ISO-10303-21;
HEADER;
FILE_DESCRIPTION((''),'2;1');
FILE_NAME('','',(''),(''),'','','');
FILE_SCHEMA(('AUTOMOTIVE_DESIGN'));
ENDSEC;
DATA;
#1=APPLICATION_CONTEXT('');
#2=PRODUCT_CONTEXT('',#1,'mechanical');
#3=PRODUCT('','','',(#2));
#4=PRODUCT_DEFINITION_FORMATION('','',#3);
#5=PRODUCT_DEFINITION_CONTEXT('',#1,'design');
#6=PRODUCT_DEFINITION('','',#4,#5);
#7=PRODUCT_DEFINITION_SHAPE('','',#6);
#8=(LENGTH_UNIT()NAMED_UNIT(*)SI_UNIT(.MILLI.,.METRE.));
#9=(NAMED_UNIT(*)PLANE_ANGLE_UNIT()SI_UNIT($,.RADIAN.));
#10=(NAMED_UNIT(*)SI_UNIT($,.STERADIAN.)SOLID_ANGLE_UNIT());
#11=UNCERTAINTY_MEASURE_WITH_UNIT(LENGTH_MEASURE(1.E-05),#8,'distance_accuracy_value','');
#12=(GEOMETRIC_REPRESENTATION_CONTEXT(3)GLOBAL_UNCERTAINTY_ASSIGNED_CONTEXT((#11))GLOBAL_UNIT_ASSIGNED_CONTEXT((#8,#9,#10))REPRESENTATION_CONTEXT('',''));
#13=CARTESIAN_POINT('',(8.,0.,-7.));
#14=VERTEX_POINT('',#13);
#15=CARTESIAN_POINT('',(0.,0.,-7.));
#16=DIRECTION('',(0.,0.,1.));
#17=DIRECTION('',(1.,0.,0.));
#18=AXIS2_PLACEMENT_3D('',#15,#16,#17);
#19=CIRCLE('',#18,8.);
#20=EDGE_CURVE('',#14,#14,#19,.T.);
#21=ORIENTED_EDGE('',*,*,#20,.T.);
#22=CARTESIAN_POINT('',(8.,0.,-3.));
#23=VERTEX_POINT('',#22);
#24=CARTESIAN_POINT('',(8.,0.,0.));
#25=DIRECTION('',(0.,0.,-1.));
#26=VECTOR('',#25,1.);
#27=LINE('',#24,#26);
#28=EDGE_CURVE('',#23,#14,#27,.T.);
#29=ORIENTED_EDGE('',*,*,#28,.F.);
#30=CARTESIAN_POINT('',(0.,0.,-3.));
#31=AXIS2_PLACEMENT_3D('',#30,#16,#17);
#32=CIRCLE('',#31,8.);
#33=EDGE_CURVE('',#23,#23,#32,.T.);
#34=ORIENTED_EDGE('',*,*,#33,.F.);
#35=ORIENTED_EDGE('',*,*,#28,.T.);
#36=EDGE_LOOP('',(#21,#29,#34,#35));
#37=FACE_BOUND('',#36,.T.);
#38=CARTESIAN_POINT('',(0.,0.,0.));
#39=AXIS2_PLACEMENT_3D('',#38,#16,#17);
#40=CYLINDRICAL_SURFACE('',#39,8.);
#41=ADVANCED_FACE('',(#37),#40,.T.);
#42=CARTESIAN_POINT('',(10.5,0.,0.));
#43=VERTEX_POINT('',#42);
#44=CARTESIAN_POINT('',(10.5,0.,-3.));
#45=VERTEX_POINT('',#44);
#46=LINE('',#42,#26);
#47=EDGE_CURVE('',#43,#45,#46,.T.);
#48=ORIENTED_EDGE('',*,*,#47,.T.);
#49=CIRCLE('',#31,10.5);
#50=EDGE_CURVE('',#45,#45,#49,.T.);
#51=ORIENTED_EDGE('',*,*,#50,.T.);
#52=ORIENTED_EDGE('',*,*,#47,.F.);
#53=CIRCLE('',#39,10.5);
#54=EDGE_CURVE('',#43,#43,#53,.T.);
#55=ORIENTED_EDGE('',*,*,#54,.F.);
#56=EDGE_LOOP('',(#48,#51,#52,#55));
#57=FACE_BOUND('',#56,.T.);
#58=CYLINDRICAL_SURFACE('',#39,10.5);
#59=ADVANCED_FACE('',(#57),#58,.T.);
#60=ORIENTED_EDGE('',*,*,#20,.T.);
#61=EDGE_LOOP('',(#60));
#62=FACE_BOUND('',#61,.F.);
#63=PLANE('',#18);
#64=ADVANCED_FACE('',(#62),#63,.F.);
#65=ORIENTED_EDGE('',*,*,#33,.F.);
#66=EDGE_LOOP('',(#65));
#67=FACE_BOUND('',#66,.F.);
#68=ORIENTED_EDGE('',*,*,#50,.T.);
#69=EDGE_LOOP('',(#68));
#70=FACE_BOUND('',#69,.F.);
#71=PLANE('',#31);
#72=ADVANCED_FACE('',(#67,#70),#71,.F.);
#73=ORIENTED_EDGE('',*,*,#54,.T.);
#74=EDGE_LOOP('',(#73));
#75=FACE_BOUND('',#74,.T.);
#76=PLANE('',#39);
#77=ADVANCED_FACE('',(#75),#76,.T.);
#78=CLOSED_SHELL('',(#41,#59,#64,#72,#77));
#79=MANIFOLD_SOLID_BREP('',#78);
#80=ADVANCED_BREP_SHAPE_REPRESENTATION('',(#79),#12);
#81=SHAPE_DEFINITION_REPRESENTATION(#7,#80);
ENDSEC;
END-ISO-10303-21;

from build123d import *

# Parameters (mm, degrees)
F0_R     = 10.5
F0_R_2   = 8
F1_DEPTH = 3
F2_DEPTH = 7


with BuildPart() as f1:
    # F0 (on Top) → F1 (new body)
    with BuildSketch(Plane.XY):
        Circle(F0_R)
        Circle(F0_R_2, mode=Mode.SUBTRACT)
    extrude(amount=-F1_DEPTH)

    # F0 (on Top) → F2 (join)
    with BuildSketch(Plane.XY):
        Circle(F0_R_2)
    extrude(amount=-F2_DEPTH)


solid = f1.part
